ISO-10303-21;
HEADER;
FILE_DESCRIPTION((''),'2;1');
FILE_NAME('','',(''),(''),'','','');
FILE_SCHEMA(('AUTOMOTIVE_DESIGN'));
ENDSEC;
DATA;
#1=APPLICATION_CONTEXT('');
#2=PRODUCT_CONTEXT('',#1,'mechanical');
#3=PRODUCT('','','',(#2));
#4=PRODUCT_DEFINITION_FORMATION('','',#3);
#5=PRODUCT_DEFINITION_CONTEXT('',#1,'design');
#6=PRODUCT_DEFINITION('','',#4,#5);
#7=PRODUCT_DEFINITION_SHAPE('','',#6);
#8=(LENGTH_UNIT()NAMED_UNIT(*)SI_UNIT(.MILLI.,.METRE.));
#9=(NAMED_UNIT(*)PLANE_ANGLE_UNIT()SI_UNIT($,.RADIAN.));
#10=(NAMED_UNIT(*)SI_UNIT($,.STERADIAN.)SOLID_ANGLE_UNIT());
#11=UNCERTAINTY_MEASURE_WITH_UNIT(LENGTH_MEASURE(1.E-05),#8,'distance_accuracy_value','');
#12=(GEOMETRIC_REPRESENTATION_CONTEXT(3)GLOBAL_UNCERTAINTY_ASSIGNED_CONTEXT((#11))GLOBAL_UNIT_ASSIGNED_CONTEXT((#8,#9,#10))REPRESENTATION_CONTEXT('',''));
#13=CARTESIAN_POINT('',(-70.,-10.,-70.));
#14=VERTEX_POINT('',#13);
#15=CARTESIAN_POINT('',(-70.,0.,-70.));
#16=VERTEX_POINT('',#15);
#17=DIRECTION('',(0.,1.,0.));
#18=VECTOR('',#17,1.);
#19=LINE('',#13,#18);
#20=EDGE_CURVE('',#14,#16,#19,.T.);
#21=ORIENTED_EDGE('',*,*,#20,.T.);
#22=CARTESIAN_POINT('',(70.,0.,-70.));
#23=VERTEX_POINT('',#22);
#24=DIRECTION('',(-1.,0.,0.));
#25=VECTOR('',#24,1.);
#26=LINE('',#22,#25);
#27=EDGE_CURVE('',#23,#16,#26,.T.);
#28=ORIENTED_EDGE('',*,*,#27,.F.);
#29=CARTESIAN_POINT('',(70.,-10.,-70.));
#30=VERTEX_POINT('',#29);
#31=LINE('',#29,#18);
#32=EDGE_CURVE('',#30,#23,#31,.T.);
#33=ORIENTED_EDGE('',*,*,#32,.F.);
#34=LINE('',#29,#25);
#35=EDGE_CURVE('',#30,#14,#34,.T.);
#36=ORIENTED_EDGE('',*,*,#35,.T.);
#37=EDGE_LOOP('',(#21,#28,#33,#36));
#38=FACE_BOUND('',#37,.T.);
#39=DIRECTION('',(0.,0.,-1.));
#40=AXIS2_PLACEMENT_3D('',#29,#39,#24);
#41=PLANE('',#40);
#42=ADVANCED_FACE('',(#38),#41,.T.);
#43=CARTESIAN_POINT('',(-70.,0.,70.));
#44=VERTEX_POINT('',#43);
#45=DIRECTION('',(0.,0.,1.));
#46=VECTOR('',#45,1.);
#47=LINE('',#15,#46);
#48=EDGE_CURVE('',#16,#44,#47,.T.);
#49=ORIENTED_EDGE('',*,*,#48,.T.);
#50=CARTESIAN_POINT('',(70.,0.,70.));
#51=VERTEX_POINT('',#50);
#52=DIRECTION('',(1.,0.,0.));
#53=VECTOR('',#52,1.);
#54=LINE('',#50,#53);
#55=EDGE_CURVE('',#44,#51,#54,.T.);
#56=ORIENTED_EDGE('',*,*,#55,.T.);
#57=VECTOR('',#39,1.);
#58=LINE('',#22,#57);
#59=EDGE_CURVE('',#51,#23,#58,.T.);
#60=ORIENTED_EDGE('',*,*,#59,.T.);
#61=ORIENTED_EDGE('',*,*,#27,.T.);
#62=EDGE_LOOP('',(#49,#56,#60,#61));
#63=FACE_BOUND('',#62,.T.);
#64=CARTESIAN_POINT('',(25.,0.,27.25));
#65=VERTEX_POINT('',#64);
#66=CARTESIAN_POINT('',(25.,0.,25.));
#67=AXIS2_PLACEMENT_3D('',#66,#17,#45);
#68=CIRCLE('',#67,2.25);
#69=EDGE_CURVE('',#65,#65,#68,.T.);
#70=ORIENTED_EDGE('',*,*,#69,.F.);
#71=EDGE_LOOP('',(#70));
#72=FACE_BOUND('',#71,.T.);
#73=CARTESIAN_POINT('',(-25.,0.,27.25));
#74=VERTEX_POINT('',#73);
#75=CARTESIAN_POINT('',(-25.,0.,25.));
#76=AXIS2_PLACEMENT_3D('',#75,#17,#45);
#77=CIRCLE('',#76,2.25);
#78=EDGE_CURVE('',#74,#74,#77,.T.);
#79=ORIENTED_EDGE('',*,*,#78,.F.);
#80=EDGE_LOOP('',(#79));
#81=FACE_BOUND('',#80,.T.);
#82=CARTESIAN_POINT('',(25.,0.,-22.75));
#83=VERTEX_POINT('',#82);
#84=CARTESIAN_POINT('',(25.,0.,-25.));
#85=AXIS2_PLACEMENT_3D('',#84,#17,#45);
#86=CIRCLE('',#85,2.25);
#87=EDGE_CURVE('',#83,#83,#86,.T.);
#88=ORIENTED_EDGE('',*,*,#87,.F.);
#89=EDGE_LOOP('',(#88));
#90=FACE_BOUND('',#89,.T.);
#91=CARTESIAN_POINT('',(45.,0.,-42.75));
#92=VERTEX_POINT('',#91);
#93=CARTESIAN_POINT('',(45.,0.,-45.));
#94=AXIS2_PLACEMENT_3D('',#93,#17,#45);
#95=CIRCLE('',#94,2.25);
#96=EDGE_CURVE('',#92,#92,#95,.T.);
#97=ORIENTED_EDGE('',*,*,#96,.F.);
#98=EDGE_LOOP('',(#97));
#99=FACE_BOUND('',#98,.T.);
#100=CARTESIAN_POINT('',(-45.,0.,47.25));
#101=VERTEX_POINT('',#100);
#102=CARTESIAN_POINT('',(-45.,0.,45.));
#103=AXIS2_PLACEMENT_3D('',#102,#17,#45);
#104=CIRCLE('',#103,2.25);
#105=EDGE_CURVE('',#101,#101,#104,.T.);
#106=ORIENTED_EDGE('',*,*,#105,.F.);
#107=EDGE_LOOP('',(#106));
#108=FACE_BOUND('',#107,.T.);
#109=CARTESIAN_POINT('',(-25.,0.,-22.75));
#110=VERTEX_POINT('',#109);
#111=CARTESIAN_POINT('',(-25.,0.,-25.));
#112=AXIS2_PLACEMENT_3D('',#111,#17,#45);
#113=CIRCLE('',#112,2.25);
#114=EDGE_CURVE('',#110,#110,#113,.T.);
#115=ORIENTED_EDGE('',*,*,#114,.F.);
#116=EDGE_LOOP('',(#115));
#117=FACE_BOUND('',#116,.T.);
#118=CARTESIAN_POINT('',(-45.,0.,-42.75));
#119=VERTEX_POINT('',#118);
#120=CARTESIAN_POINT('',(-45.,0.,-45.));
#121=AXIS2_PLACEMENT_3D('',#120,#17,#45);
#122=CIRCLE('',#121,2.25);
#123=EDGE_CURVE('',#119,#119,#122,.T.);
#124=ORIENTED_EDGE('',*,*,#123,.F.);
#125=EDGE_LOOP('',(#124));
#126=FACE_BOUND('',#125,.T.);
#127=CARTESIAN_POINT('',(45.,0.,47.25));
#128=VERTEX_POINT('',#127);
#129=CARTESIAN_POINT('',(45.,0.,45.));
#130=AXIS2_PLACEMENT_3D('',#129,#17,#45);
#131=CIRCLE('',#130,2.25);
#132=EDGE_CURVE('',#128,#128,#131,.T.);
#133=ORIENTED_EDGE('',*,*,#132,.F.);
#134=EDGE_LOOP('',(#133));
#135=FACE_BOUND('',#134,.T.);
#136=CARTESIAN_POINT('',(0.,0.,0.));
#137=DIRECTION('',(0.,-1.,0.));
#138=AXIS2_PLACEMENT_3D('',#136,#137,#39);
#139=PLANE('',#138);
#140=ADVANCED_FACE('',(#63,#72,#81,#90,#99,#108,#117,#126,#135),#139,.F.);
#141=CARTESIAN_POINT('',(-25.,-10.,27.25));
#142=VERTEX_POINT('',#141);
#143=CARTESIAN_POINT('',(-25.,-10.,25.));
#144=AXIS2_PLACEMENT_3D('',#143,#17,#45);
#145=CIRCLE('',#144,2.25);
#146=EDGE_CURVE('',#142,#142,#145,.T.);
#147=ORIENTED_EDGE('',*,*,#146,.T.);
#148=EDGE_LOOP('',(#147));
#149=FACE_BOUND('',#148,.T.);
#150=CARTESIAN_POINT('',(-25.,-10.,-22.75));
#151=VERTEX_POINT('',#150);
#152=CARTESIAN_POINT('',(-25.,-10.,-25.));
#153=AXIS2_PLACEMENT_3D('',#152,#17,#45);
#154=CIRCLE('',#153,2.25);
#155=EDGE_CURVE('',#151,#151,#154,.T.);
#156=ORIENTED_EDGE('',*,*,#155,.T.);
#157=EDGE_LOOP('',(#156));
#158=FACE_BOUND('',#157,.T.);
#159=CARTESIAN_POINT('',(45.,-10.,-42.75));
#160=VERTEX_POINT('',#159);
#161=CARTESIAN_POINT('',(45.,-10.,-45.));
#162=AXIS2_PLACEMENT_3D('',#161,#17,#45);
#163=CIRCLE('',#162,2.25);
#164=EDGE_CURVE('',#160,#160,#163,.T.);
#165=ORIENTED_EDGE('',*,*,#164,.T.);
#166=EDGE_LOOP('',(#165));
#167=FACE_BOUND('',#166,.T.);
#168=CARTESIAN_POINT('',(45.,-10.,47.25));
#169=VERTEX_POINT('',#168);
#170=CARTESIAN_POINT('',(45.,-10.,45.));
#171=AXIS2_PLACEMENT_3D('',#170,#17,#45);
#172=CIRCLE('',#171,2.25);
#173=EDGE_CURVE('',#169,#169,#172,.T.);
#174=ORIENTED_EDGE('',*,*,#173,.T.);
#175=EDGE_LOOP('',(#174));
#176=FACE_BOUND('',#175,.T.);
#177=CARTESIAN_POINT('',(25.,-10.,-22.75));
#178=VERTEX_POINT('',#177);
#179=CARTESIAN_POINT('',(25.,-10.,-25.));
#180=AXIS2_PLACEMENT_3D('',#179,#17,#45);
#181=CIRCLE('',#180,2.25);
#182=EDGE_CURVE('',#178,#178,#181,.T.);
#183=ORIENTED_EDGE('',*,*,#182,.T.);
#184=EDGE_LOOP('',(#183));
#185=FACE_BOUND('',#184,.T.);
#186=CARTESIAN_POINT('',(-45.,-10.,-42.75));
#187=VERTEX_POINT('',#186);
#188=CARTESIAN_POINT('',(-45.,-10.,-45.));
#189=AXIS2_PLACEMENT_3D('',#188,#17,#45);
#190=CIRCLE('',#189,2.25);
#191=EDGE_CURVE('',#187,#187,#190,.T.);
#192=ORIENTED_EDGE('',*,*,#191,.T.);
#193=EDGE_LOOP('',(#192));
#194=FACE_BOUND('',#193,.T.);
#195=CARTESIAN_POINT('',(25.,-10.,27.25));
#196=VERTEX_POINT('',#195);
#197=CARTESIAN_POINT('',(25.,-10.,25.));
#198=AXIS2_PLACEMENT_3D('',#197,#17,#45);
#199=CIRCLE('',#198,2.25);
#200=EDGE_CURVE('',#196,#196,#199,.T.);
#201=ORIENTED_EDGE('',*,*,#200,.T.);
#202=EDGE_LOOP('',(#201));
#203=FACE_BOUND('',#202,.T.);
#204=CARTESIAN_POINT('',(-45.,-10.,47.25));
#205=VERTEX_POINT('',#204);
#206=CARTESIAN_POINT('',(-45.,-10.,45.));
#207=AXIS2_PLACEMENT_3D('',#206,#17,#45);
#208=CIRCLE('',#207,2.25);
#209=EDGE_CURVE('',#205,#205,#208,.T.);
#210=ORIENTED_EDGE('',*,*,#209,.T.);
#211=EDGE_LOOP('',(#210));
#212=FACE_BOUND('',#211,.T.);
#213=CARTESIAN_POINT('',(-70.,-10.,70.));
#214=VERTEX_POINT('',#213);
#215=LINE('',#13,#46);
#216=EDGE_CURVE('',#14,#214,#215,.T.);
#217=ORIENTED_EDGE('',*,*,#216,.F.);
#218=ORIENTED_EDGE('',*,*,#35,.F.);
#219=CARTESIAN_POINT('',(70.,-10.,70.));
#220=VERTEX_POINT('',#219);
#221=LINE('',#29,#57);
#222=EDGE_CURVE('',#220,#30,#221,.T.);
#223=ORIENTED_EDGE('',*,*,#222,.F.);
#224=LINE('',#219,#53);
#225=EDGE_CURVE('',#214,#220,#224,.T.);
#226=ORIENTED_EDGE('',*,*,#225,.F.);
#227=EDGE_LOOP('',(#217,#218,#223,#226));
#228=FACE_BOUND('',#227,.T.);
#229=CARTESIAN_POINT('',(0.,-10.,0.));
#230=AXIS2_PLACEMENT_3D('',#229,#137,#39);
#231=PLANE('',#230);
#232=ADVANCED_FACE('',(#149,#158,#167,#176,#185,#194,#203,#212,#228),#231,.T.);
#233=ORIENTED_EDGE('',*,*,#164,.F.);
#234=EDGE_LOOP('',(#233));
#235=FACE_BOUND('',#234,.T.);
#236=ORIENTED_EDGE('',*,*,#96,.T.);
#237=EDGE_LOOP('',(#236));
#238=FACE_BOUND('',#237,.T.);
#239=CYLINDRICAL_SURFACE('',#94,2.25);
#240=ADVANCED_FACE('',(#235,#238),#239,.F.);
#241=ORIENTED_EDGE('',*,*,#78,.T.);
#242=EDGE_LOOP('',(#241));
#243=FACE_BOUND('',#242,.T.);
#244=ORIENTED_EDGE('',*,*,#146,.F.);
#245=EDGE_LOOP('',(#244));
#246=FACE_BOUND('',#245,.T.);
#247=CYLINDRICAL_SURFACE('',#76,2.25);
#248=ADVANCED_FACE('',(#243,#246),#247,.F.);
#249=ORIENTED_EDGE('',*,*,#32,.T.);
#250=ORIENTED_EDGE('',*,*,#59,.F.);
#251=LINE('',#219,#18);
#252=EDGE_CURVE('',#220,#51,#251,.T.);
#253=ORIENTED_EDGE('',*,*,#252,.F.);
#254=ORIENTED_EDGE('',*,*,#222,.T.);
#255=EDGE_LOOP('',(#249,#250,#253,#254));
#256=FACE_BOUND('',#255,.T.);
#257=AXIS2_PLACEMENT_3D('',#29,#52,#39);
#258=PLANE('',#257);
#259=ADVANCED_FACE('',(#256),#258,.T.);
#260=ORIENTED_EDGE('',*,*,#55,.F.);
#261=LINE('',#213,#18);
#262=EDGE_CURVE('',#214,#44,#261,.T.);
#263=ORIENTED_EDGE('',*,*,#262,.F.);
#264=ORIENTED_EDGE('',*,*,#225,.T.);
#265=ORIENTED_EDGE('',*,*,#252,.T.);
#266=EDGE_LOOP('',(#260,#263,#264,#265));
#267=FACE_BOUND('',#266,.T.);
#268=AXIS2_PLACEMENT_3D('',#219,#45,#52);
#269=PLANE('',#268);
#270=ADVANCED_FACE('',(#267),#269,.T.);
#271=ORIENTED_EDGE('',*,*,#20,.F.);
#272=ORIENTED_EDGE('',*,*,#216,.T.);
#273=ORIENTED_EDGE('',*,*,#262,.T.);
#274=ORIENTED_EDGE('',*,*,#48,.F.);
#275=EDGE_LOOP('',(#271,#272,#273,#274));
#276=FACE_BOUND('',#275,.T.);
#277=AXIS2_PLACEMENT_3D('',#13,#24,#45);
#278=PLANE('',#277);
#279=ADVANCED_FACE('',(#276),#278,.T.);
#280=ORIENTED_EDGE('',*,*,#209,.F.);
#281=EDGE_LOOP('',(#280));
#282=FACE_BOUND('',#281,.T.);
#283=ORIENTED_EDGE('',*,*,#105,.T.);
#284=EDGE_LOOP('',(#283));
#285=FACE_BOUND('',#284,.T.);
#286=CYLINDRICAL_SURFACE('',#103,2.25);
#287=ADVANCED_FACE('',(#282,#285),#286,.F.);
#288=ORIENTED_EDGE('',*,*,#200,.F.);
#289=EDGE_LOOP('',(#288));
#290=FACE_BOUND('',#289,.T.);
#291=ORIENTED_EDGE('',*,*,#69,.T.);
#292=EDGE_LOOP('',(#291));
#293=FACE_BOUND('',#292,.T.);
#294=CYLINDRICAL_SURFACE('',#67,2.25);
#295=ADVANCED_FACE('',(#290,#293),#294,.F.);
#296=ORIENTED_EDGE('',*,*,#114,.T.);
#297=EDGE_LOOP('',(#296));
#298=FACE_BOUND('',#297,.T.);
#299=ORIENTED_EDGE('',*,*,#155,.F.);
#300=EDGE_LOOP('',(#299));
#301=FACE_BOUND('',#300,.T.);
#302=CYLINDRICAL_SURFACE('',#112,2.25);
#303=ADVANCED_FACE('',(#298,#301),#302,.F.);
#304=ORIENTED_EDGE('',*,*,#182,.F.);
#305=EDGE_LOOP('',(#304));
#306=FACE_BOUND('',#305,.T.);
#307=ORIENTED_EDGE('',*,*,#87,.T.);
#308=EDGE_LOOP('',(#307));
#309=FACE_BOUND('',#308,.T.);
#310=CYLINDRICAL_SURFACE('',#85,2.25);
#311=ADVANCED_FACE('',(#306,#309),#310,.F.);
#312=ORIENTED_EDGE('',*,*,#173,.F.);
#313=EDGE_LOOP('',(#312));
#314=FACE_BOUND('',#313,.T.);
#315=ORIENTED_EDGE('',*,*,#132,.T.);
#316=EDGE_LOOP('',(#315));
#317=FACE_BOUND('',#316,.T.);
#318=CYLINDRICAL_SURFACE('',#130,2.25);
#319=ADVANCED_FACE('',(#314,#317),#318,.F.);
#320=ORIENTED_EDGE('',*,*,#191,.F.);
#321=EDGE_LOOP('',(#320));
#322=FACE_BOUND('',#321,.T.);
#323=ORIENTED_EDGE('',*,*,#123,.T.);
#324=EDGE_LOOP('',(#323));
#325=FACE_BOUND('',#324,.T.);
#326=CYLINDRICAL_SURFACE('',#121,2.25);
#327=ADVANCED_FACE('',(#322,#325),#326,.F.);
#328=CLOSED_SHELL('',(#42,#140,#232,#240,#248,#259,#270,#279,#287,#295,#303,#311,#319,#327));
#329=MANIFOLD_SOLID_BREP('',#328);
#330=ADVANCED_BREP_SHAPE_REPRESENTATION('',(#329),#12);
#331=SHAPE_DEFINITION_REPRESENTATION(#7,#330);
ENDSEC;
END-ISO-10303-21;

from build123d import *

# Parameters (mm, degrees)
SKETCH1_W            = 140
SKETCH1_H            = 140
BOSS_EXTRUDE1_DEPTH  = 10
M4_CLEARANCE_HOLE1_D = 4.5


with BuildPart() as part:
    # Sketch1 → Boss-Extrude1 (new body)
    with BuildSketch(Plane(origin=(0, 0, 0), x_dir=(1, 0, 0), z_dir=(0, 1, 0))):
        Rectangle(SKETCH1_W, SKETCH1_H)
    extrude(amount=-BOSS_EXTRUDE1_DEPTH)

    # M4 Clearance Hole1 (through all)
    with Locations(Plane(origin=(0, 0, 0), x_dir=(1, 0, 0), z_dir=(0, 1, 0))):
        with Locations((-45, 45), (-45, -45), (45, -45), (45, 45), (25, 25), (-25, 25), (-25, -25), (25, -25)):
            Hole(M4_CLEARANCE_HOLE1_D / 2)


solid = part.part
